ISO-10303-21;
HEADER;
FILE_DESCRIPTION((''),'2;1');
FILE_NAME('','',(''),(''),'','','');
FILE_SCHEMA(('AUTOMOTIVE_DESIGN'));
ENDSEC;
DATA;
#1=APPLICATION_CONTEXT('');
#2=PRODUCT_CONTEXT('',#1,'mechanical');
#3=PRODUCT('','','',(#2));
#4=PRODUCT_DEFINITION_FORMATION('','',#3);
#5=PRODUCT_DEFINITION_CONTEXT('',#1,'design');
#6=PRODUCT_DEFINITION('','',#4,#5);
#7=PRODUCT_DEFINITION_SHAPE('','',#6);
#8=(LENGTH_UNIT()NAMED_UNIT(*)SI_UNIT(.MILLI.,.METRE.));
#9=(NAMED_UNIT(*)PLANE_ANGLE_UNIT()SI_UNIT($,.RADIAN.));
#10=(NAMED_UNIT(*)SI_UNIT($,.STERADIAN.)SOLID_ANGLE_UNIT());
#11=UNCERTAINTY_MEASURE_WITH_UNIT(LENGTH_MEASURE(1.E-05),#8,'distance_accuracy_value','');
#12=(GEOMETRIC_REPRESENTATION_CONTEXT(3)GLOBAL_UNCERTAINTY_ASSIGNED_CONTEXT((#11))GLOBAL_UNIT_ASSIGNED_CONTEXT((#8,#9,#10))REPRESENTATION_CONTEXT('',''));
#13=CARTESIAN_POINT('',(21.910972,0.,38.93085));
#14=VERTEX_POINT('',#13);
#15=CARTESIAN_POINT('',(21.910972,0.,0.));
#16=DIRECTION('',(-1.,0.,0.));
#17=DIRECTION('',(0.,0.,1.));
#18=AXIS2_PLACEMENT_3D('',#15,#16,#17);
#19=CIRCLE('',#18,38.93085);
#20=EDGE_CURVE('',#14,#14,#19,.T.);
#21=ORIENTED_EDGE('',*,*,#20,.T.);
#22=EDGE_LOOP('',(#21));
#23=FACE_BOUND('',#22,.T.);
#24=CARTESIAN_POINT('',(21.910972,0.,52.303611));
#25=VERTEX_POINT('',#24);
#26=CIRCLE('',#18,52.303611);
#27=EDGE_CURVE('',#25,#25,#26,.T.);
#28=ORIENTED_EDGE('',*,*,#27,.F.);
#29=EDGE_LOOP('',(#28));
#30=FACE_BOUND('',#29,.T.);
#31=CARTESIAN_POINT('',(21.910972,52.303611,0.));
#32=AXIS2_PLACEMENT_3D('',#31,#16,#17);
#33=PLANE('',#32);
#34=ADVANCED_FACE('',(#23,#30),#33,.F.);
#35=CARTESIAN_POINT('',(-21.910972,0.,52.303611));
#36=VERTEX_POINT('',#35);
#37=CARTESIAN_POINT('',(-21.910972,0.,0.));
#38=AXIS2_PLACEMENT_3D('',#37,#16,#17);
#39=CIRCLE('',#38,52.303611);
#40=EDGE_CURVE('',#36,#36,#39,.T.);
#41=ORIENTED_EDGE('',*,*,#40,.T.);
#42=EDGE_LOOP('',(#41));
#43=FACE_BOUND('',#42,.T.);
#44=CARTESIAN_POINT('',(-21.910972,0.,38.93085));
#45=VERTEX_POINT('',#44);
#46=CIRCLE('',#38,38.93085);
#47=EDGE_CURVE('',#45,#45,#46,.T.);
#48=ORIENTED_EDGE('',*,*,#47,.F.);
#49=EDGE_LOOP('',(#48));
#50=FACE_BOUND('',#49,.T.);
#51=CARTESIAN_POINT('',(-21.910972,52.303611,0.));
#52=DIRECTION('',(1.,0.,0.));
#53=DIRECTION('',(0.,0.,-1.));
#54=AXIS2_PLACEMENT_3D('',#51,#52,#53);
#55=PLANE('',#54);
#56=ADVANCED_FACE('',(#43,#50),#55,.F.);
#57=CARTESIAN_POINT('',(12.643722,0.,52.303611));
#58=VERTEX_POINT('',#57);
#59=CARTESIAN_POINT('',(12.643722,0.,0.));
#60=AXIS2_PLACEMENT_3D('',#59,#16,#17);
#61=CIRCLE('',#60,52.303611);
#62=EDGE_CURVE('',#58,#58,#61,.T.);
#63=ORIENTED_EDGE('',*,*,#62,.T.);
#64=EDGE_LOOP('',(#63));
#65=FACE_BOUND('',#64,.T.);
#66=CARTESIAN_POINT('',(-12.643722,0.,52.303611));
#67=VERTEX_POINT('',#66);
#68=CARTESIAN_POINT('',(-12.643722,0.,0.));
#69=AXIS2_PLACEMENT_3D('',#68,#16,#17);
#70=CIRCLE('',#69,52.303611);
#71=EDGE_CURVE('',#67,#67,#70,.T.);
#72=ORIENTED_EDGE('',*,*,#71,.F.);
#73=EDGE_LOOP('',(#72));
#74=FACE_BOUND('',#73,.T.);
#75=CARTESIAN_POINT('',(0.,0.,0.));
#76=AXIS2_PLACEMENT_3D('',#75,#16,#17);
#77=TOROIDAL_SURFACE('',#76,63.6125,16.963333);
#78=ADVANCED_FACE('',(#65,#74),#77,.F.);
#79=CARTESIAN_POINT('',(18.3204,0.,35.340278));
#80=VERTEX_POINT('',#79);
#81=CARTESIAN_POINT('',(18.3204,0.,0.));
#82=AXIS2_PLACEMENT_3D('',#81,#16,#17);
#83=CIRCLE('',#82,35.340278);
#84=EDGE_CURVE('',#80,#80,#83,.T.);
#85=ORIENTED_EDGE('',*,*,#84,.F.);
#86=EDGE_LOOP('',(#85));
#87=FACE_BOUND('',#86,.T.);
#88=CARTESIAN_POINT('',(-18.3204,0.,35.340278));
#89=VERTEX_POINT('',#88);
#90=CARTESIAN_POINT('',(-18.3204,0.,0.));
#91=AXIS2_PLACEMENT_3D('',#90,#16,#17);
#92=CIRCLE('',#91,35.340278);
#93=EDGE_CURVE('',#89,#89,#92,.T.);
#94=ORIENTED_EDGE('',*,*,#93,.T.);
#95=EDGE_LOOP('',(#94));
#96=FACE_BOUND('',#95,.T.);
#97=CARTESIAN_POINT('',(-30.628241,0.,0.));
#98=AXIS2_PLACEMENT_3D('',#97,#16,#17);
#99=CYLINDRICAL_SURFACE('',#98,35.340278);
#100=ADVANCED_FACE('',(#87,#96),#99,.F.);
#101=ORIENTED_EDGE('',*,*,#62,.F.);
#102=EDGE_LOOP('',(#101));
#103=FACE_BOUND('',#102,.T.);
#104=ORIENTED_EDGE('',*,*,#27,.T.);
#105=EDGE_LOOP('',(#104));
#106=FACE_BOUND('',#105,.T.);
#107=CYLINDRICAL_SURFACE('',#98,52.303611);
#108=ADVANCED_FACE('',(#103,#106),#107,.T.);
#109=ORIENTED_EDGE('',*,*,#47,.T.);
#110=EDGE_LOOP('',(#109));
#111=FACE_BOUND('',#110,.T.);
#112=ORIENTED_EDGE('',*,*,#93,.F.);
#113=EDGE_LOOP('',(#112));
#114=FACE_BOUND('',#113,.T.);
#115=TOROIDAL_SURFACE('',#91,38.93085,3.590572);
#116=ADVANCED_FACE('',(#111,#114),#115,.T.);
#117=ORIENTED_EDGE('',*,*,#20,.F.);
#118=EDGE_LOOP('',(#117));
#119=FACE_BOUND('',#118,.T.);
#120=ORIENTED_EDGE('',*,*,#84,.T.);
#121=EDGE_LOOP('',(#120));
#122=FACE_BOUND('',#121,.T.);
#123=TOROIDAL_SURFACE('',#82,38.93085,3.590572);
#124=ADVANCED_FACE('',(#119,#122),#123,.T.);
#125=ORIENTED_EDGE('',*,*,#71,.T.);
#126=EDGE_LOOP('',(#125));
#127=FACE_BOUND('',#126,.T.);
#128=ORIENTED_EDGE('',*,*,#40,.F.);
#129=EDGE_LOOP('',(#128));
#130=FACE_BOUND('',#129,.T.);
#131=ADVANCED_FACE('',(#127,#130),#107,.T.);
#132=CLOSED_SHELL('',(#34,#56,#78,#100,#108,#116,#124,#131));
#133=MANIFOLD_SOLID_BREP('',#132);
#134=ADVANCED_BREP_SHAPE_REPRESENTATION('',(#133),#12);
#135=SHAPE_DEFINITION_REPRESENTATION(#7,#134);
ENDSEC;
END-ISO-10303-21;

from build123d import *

# Parameters (mm, degrees)
SCALE1_SCALE = 1.41361111


with BuildPart() as part:
    # Sketch1 → Revolve1 (revolve)
    with BuildSketch(Plane.XY, mode=Mode.PRIVATE) as revolve1_sk:
        with BuildLine():
            Line((-15.5, 37), (-8.94427191, 37))
            ThreePointArc((-8.94427191, 37), (0, 33), (8.94427191, 37))
            Line((8.94427191, 37), (15.5, 37))
            Line((15.5, 37), (15.5, 27.54))
            ThreePointArc((15.5, 27.54), (14.756051224, 25.743948776), (12.96, 25))
            Line((12.96, 25), (-12.96, 25))
            ThreePointArc((-12.96, 25), (-14.756051224, 25.743948776), (-15.5, 27.54))
            Line((-15.5, 27.54), (-15.5, 37))
        make_face()
    revolve(revolve1_sk.sketch.rotate(Axis((-21.666666667, 0, 0), (1, 0, 0)), 90), axis=Axis((-21.666666667, 0, 0), (1, 0, 0)))


with BuildPart() as part_1:
    # Scale1: scaled about (0, 0, 0)
    add(part.part.scale(SCALE1_SCALE))


solid = part_1.part
